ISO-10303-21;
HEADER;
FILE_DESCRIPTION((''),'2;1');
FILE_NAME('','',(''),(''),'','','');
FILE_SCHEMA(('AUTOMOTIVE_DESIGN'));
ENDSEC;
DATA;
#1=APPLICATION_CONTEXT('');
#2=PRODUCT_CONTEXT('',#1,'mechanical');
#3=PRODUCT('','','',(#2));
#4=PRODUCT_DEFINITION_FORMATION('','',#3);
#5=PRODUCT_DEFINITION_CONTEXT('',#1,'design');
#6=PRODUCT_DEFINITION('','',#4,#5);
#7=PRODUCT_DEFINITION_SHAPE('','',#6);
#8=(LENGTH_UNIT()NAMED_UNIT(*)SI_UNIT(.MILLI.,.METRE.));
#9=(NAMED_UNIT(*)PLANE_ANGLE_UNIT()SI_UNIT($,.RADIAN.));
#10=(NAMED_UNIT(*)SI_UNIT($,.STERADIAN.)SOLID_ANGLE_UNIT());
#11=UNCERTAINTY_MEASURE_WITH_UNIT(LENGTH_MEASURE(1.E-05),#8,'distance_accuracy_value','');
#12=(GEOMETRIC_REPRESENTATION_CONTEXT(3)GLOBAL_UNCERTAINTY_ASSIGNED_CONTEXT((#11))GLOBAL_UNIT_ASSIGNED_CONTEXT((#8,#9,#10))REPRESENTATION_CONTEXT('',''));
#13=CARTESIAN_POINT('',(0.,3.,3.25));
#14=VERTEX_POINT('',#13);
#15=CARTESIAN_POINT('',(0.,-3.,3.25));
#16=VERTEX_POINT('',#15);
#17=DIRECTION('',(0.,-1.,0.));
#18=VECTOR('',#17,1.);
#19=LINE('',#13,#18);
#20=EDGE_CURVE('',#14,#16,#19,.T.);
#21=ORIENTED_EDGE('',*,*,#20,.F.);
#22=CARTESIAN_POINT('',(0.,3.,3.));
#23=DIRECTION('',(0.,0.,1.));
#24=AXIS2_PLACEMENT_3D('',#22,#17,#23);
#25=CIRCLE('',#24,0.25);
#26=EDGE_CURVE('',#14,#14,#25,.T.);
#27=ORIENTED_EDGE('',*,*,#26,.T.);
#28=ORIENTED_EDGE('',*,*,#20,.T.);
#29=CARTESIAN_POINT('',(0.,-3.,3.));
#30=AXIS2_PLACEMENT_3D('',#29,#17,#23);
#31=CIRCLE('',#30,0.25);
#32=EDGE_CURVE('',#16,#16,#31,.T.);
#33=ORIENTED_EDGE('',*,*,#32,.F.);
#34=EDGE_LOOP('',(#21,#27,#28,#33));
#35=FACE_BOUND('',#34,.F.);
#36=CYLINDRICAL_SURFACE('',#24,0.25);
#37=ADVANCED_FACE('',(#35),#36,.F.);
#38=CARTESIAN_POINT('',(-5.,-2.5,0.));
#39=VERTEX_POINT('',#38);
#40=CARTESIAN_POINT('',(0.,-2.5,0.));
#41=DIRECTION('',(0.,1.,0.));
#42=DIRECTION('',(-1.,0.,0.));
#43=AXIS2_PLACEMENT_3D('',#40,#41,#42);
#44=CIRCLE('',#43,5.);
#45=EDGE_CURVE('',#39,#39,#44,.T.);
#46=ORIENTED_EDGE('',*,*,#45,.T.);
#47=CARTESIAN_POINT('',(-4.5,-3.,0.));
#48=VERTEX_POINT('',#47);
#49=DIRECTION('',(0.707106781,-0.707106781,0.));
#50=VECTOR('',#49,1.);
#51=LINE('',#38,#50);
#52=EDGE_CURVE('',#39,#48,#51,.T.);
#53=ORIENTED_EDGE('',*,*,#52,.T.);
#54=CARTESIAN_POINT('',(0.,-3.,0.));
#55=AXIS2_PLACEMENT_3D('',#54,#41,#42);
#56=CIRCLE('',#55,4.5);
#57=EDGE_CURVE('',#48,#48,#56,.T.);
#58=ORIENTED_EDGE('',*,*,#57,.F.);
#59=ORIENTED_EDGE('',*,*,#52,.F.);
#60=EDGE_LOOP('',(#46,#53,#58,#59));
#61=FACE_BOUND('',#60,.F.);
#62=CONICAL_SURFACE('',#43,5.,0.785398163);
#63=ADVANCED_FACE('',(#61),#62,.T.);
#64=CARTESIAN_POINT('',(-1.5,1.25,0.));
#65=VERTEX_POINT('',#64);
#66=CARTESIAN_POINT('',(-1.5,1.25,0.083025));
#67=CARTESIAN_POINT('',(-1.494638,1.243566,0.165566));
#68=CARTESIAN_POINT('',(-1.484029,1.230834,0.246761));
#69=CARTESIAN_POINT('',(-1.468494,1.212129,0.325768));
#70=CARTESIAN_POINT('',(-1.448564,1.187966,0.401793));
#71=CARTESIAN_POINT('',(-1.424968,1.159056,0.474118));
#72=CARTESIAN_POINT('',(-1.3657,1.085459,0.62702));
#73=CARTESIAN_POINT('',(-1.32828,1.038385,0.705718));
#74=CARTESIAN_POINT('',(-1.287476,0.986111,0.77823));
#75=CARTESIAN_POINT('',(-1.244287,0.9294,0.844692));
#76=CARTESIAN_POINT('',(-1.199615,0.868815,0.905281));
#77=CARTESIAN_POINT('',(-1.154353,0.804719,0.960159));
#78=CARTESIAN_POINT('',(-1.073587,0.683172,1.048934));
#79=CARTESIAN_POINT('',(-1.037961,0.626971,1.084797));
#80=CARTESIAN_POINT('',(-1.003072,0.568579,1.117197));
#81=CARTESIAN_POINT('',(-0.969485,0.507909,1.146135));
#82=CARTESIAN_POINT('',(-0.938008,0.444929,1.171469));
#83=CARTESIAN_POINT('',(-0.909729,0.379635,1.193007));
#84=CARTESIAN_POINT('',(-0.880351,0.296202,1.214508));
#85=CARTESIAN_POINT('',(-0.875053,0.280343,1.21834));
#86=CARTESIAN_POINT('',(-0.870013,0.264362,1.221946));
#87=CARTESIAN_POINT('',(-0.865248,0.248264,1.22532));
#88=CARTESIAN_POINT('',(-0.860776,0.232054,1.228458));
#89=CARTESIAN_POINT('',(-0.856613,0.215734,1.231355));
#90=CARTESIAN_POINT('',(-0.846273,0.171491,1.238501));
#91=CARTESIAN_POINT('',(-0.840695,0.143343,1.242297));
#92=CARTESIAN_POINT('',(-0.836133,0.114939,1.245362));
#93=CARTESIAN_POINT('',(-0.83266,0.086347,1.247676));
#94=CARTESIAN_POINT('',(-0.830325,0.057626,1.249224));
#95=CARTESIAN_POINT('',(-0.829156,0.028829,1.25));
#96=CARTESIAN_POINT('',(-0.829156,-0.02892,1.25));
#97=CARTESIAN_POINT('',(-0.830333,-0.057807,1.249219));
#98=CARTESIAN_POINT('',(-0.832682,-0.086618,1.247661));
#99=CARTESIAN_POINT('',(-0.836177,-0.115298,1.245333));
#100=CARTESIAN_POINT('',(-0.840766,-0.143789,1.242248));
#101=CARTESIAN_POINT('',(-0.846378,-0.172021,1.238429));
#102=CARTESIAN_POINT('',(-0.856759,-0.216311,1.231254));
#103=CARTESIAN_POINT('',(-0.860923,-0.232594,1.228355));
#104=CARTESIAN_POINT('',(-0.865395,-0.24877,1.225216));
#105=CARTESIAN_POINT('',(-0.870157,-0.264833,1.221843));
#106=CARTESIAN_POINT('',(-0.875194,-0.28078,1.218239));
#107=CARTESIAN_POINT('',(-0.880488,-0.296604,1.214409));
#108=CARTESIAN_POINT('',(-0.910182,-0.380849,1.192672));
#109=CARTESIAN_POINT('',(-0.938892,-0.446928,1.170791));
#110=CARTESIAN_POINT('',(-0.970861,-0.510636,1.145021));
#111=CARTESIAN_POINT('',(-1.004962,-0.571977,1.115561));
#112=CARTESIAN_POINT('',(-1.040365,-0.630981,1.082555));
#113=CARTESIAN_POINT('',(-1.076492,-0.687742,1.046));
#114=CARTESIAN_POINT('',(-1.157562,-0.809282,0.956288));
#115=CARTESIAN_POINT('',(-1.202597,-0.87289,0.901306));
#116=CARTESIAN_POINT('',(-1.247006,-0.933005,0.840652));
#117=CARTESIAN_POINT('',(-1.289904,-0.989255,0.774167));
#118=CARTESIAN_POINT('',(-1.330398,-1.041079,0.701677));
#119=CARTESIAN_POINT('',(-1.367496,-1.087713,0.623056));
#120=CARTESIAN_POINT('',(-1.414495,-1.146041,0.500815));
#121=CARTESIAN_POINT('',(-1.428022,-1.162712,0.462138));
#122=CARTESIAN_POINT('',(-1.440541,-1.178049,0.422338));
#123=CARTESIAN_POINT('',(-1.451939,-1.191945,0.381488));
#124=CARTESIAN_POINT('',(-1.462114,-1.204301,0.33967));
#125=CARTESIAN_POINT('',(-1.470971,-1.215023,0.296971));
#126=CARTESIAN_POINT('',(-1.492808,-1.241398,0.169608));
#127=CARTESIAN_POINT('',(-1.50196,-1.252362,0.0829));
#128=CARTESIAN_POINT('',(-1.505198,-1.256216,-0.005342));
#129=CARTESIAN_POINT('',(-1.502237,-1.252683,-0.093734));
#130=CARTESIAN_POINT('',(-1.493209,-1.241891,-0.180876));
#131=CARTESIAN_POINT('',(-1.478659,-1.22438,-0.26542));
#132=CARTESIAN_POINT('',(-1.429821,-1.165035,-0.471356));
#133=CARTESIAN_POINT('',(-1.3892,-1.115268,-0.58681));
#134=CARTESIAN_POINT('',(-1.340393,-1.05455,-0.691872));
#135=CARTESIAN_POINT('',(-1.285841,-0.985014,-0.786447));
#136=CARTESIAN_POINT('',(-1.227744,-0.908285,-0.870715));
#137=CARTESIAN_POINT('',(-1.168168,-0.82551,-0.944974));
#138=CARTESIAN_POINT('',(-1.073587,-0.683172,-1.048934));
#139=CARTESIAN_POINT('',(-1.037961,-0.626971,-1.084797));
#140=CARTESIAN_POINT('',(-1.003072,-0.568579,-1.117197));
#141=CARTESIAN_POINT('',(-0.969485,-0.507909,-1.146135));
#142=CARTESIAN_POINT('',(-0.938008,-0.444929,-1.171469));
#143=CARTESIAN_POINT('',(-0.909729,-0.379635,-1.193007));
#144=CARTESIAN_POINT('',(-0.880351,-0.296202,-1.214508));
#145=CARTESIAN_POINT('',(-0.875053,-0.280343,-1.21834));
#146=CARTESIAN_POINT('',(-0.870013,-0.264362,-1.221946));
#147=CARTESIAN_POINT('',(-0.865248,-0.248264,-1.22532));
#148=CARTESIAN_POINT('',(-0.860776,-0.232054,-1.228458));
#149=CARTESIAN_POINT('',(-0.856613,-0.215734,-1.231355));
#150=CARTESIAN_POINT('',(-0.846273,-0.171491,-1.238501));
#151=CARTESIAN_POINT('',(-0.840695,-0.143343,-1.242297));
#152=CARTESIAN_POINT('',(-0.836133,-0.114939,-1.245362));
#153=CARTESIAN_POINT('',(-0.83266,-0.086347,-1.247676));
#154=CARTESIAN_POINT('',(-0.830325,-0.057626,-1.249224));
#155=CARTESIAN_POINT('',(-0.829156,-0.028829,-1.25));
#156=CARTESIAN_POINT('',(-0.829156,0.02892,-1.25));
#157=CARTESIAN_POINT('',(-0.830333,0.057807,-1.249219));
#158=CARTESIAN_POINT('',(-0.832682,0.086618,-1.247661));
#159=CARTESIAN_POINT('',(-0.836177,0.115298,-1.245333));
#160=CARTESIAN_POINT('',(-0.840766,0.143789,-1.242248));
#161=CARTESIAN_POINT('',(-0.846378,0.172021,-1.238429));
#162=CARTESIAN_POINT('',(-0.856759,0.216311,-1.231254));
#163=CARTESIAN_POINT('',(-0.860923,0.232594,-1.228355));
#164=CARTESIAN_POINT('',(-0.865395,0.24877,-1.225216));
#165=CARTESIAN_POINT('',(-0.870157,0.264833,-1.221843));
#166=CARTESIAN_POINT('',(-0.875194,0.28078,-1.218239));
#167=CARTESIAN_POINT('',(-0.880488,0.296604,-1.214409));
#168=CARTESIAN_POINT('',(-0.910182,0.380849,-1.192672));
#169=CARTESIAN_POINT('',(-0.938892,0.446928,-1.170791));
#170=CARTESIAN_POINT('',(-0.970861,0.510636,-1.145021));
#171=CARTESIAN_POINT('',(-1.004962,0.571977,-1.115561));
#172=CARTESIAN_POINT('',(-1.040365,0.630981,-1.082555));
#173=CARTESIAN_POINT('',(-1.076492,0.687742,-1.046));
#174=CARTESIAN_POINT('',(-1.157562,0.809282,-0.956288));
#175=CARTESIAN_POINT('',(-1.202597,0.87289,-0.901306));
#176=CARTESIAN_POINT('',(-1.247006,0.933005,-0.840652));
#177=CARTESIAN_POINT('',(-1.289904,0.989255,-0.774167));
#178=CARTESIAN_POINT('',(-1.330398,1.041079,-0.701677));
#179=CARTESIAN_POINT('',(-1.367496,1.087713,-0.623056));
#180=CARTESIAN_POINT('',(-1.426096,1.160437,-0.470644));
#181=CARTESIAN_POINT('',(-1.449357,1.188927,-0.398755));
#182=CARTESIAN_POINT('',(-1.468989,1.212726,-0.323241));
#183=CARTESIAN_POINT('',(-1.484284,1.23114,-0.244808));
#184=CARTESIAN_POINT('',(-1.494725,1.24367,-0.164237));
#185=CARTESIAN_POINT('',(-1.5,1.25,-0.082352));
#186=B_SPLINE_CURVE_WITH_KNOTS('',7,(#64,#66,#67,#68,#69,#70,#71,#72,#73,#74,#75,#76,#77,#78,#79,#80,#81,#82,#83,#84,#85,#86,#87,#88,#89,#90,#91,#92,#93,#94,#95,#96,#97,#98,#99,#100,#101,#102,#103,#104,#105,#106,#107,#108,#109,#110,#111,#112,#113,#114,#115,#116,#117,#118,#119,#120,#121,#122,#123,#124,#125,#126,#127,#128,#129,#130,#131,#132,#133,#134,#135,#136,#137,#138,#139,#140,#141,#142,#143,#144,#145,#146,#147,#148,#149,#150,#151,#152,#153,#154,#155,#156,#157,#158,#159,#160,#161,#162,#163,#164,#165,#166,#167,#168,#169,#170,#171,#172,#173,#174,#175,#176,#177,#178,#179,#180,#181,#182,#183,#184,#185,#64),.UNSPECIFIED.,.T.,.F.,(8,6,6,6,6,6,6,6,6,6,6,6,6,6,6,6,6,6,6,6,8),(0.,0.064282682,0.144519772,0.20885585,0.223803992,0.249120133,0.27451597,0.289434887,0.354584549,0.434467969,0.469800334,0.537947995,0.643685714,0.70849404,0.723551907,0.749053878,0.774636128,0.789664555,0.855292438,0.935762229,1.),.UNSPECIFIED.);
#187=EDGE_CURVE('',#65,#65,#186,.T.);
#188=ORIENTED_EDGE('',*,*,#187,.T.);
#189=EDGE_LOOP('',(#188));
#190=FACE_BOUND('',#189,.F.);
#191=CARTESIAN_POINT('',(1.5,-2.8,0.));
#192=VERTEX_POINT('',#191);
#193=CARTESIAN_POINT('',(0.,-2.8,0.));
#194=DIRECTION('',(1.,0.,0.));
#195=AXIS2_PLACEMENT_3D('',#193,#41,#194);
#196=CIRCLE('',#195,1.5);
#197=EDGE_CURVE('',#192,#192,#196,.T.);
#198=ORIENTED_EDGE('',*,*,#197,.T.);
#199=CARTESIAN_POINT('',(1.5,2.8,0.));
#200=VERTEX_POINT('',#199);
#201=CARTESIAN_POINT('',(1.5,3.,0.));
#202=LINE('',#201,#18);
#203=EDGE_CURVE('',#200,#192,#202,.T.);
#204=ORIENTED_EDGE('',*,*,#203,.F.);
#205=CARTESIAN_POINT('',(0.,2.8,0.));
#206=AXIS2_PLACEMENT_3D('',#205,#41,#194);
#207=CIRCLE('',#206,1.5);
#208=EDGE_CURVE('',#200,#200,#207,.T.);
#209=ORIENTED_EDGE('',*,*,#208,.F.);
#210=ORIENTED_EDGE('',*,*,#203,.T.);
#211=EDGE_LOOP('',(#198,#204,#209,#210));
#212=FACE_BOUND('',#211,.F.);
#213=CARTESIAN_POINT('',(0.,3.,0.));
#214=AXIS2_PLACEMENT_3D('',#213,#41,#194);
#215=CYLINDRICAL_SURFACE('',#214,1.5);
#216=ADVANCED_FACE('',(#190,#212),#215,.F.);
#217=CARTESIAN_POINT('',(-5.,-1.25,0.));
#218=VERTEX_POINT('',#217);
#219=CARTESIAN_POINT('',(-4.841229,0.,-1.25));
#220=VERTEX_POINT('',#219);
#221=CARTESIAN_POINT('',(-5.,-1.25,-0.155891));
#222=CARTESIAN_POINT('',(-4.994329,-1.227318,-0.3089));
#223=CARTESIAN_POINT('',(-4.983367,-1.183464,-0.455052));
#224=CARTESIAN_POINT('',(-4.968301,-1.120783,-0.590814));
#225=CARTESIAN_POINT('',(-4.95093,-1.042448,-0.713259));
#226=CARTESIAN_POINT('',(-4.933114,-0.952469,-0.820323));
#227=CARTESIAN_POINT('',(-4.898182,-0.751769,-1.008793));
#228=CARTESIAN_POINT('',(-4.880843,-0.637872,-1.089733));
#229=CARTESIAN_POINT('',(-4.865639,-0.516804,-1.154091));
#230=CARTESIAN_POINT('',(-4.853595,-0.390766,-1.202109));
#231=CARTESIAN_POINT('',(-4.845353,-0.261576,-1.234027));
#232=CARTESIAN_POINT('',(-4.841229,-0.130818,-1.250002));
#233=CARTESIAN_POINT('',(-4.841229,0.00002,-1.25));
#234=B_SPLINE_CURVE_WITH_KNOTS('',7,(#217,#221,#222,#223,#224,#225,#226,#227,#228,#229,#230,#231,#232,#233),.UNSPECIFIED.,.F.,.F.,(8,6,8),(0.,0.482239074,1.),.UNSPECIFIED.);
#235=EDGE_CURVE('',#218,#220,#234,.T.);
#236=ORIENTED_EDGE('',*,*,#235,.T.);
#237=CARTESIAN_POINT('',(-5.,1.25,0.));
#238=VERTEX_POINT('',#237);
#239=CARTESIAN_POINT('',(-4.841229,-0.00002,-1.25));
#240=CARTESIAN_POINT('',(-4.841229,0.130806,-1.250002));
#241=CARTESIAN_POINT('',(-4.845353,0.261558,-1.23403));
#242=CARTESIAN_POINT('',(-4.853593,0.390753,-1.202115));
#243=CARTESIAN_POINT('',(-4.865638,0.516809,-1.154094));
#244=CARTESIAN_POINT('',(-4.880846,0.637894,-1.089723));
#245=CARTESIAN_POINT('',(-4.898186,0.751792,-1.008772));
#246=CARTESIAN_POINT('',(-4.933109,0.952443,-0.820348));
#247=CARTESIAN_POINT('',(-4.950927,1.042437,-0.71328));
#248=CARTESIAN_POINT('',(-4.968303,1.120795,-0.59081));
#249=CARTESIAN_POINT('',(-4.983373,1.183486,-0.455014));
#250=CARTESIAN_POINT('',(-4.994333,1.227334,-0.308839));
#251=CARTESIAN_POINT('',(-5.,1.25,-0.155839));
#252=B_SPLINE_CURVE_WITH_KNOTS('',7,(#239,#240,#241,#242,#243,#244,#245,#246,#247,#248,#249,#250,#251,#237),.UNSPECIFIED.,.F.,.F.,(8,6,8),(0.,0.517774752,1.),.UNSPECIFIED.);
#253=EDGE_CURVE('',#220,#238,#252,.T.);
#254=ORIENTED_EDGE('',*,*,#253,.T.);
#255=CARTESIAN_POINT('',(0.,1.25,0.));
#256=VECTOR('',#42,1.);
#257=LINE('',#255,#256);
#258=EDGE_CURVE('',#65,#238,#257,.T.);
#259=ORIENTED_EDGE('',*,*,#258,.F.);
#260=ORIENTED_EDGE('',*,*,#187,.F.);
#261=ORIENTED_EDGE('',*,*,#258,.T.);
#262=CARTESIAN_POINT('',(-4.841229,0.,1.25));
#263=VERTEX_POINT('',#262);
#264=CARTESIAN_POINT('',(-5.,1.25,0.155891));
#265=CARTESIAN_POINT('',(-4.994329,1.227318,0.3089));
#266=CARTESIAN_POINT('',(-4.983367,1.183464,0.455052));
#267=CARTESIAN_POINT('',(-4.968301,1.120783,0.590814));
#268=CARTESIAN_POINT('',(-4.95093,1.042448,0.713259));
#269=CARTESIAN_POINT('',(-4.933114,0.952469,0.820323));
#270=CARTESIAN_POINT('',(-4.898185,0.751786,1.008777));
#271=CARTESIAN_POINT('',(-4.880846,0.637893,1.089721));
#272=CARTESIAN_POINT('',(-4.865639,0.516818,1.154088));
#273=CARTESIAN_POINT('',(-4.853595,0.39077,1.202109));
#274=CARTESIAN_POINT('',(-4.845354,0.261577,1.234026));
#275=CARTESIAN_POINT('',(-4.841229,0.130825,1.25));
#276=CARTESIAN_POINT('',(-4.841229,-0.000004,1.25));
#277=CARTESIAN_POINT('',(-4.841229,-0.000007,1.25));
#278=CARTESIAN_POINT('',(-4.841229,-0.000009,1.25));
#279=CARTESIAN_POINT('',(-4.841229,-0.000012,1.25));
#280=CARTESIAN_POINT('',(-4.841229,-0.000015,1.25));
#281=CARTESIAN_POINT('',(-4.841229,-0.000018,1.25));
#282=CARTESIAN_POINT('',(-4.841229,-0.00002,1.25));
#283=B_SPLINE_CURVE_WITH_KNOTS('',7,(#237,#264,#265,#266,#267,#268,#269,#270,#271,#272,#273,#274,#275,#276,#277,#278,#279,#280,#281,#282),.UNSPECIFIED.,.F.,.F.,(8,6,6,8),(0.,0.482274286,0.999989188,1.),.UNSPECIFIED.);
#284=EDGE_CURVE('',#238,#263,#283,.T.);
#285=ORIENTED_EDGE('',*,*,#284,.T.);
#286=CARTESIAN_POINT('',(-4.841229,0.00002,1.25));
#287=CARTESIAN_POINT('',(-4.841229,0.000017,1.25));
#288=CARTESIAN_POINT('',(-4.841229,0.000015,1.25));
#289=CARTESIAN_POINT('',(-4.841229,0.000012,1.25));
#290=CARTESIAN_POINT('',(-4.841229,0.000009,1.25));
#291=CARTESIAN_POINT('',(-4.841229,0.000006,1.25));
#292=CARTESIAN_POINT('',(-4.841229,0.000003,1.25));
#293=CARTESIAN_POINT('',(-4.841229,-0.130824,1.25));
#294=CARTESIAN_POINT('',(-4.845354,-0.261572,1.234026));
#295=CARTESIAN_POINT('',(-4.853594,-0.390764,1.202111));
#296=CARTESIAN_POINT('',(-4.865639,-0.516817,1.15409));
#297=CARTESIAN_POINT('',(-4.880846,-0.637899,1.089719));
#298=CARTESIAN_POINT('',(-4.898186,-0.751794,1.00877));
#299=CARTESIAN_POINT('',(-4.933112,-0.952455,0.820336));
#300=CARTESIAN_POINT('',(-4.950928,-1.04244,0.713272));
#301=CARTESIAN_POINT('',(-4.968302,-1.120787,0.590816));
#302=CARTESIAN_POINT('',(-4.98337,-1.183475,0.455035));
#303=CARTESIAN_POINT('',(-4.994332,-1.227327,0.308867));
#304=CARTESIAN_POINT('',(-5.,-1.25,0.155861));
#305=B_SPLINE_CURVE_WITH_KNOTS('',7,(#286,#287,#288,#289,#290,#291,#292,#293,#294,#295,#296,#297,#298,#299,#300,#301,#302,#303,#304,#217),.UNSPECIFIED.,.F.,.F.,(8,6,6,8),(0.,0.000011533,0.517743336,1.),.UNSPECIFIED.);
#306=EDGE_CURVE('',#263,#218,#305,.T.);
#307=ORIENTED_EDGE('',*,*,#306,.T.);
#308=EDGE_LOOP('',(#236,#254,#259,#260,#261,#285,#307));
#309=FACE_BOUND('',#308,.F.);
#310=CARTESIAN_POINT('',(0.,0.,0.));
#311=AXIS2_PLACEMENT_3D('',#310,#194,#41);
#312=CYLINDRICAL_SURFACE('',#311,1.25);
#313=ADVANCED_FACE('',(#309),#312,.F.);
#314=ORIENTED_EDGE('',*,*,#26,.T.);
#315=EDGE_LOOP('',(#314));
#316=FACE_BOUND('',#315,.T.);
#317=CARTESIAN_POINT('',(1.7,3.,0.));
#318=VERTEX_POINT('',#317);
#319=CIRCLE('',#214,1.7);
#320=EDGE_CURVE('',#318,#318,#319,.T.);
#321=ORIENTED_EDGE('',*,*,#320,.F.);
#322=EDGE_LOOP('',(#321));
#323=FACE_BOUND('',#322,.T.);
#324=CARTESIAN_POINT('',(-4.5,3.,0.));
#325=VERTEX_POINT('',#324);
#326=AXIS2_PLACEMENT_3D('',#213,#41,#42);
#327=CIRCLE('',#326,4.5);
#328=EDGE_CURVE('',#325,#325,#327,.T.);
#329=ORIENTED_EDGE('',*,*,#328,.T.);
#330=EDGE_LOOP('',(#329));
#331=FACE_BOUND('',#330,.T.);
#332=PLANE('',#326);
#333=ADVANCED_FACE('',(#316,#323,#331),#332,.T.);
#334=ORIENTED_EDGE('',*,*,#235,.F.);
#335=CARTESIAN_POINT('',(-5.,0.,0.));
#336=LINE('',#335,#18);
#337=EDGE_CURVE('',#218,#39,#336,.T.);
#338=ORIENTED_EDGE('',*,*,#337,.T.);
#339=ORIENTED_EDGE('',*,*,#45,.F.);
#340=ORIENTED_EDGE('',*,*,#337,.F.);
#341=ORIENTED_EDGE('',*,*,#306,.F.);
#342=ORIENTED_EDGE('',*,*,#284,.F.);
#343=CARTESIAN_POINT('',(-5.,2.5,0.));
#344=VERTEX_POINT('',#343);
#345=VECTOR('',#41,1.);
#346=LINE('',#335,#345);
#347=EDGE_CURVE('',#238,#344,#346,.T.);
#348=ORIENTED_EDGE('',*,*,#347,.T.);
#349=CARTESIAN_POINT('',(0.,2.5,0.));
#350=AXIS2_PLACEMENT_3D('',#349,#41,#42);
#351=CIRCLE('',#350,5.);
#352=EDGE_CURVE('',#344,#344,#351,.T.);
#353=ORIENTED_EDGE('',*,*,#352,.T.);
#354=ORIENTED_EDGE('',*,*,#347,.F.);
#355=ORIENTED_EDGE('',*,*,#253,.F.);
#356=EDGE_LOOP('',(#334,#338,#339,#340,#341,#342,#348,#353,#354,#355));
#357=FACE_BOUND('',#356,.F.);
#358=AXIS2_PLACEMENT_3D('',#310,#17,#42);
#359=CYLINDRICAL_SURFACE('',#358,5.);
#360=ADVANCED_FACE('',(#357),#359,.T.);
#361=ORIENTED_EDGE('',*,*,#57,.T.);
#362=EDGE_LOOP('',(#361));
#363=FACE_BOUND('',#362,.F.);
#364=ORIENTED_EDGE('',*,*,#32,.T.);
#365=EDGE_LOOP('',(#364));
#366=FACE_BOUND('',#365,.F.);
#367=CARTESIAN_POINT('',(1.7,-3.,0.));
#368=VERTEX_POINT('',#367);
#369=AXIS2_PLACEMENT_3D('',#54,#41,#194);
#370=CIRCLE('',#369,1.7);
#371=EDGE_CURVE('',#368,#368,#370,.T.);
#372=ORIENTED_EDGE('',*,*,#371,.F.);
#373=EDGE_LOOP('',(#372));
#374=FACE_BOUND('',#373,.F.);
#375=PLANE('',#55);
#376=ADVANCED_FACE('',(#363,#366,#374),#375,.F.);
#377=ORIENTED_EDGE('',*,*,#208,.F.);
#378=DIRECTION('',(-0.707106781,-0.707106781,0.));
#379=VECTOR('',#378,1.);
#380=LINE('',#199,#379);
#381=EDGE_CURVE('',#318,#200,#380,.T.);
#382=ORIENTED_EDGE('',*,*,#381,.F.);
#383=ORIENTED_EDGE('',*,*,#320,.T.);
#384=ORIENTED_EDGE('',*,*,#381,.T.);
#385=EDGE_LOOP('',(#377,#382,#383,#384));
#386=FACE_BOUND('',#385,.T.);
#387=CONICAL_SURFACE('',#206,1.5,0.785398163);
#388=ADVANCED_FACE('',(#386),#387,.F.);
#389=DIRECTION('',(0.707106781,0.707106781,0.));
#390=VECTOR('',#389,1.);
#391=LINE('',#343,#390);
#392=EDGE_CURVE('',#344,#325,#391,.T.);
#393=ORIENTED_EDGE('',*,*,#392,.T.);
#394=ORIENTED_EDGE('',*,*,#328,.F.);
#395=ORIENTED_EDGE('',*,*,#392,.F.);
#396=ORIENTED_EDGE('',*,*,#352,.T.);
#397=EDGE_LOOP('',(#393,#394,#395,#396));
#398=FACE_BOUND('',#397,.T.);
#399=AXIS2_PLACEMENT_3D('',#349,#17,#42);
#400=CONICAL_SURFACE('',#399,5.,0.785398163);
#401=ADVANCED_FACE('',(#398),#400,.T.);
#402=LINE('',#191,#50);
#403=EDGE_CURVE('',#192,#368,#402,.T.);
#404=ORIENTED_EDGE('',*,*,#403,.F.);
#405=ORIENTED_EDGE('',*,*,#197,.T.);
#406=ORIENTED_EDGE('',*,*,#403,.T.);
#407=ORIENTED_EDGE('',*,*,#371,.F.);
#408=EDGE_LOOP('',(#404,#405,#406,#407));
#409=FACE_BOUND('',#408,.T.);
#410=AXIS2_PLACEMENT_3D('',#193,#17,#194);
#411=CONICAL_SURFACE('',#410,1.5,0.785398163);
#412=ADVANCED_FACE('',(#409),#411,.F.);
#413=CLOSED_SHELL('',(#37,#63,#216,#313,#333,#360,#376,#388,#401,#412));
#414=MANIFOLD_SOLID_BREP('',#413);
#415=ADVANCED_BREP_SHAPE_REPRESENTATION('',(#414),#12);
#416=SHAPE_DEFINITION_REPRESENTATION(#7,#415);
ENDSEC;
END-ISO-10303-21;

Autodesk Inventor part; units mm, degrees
ref_plane "YZ Plane" through (0, 0, 0) normal (1, 0, 0) x (0, 1, 0)
ref_plane "XZ Plane" through (0, 0, 0) normal (0, 1, 0) x (-1, 0, 0)
ref_plane "XY Plane" through (0, 0, 0) normal (0, 0, 1) x (1, 0, 0)
sketch "Sketch1" plane through (0, 0, 0) normal (0, 1, 0) x (-1, 0, 0)
  circle A0 centre (0, 0) radius 5
  dimension "Diameter" = 10
extrude "Extrusion1" add sketch "Sketch1" along normal mid plane 6
sketch "Sketch2" plane through (0, 3, 0) normal (0, 1, 0) x (1, 0, 0)
  circle A0 centre (0, 0) radius 1.5
  dimension "d3" = 3
extrude "Extrusion2" cut sketch "Sketch2" against normal through all
sketch "Sketch3" plane through (0, 0, 0) normal (1, 0, 0) x (0, 1, 0)
  circle A0 centre (0, 0) radius 1.25
  dimension "d6" = 2.5
extrude "Extrusion3" cut sketch "Sketch3" against normal blind 6
chamfer "Chamfer1" distance 0.5 angle 45 2 edges at (5, 3, 0) (5, -3, 0)
chamfer "Chamfer2" distance 0.2 angle 45 2 edges at (-1.5, 3, 0) (-1.5, -3, 0)
thread "Thread1" size "M3x0.5" class "6H" standard "ANSI Metric M Profile" length 5
sketch "Sketch4" plane through (0, 3, 0) normal (0, 1, 0) x (1, 0, 0)
  point P0 (0, 0)
  point P1 (0, -3)
  dimension "d17" = 3
hole "Hole1" at (0, 3, 3) direction (0, -1, 0) diameter 0.5 end through all
properties part number "Pendulum Arm Cap" material "Stainless Steel"
